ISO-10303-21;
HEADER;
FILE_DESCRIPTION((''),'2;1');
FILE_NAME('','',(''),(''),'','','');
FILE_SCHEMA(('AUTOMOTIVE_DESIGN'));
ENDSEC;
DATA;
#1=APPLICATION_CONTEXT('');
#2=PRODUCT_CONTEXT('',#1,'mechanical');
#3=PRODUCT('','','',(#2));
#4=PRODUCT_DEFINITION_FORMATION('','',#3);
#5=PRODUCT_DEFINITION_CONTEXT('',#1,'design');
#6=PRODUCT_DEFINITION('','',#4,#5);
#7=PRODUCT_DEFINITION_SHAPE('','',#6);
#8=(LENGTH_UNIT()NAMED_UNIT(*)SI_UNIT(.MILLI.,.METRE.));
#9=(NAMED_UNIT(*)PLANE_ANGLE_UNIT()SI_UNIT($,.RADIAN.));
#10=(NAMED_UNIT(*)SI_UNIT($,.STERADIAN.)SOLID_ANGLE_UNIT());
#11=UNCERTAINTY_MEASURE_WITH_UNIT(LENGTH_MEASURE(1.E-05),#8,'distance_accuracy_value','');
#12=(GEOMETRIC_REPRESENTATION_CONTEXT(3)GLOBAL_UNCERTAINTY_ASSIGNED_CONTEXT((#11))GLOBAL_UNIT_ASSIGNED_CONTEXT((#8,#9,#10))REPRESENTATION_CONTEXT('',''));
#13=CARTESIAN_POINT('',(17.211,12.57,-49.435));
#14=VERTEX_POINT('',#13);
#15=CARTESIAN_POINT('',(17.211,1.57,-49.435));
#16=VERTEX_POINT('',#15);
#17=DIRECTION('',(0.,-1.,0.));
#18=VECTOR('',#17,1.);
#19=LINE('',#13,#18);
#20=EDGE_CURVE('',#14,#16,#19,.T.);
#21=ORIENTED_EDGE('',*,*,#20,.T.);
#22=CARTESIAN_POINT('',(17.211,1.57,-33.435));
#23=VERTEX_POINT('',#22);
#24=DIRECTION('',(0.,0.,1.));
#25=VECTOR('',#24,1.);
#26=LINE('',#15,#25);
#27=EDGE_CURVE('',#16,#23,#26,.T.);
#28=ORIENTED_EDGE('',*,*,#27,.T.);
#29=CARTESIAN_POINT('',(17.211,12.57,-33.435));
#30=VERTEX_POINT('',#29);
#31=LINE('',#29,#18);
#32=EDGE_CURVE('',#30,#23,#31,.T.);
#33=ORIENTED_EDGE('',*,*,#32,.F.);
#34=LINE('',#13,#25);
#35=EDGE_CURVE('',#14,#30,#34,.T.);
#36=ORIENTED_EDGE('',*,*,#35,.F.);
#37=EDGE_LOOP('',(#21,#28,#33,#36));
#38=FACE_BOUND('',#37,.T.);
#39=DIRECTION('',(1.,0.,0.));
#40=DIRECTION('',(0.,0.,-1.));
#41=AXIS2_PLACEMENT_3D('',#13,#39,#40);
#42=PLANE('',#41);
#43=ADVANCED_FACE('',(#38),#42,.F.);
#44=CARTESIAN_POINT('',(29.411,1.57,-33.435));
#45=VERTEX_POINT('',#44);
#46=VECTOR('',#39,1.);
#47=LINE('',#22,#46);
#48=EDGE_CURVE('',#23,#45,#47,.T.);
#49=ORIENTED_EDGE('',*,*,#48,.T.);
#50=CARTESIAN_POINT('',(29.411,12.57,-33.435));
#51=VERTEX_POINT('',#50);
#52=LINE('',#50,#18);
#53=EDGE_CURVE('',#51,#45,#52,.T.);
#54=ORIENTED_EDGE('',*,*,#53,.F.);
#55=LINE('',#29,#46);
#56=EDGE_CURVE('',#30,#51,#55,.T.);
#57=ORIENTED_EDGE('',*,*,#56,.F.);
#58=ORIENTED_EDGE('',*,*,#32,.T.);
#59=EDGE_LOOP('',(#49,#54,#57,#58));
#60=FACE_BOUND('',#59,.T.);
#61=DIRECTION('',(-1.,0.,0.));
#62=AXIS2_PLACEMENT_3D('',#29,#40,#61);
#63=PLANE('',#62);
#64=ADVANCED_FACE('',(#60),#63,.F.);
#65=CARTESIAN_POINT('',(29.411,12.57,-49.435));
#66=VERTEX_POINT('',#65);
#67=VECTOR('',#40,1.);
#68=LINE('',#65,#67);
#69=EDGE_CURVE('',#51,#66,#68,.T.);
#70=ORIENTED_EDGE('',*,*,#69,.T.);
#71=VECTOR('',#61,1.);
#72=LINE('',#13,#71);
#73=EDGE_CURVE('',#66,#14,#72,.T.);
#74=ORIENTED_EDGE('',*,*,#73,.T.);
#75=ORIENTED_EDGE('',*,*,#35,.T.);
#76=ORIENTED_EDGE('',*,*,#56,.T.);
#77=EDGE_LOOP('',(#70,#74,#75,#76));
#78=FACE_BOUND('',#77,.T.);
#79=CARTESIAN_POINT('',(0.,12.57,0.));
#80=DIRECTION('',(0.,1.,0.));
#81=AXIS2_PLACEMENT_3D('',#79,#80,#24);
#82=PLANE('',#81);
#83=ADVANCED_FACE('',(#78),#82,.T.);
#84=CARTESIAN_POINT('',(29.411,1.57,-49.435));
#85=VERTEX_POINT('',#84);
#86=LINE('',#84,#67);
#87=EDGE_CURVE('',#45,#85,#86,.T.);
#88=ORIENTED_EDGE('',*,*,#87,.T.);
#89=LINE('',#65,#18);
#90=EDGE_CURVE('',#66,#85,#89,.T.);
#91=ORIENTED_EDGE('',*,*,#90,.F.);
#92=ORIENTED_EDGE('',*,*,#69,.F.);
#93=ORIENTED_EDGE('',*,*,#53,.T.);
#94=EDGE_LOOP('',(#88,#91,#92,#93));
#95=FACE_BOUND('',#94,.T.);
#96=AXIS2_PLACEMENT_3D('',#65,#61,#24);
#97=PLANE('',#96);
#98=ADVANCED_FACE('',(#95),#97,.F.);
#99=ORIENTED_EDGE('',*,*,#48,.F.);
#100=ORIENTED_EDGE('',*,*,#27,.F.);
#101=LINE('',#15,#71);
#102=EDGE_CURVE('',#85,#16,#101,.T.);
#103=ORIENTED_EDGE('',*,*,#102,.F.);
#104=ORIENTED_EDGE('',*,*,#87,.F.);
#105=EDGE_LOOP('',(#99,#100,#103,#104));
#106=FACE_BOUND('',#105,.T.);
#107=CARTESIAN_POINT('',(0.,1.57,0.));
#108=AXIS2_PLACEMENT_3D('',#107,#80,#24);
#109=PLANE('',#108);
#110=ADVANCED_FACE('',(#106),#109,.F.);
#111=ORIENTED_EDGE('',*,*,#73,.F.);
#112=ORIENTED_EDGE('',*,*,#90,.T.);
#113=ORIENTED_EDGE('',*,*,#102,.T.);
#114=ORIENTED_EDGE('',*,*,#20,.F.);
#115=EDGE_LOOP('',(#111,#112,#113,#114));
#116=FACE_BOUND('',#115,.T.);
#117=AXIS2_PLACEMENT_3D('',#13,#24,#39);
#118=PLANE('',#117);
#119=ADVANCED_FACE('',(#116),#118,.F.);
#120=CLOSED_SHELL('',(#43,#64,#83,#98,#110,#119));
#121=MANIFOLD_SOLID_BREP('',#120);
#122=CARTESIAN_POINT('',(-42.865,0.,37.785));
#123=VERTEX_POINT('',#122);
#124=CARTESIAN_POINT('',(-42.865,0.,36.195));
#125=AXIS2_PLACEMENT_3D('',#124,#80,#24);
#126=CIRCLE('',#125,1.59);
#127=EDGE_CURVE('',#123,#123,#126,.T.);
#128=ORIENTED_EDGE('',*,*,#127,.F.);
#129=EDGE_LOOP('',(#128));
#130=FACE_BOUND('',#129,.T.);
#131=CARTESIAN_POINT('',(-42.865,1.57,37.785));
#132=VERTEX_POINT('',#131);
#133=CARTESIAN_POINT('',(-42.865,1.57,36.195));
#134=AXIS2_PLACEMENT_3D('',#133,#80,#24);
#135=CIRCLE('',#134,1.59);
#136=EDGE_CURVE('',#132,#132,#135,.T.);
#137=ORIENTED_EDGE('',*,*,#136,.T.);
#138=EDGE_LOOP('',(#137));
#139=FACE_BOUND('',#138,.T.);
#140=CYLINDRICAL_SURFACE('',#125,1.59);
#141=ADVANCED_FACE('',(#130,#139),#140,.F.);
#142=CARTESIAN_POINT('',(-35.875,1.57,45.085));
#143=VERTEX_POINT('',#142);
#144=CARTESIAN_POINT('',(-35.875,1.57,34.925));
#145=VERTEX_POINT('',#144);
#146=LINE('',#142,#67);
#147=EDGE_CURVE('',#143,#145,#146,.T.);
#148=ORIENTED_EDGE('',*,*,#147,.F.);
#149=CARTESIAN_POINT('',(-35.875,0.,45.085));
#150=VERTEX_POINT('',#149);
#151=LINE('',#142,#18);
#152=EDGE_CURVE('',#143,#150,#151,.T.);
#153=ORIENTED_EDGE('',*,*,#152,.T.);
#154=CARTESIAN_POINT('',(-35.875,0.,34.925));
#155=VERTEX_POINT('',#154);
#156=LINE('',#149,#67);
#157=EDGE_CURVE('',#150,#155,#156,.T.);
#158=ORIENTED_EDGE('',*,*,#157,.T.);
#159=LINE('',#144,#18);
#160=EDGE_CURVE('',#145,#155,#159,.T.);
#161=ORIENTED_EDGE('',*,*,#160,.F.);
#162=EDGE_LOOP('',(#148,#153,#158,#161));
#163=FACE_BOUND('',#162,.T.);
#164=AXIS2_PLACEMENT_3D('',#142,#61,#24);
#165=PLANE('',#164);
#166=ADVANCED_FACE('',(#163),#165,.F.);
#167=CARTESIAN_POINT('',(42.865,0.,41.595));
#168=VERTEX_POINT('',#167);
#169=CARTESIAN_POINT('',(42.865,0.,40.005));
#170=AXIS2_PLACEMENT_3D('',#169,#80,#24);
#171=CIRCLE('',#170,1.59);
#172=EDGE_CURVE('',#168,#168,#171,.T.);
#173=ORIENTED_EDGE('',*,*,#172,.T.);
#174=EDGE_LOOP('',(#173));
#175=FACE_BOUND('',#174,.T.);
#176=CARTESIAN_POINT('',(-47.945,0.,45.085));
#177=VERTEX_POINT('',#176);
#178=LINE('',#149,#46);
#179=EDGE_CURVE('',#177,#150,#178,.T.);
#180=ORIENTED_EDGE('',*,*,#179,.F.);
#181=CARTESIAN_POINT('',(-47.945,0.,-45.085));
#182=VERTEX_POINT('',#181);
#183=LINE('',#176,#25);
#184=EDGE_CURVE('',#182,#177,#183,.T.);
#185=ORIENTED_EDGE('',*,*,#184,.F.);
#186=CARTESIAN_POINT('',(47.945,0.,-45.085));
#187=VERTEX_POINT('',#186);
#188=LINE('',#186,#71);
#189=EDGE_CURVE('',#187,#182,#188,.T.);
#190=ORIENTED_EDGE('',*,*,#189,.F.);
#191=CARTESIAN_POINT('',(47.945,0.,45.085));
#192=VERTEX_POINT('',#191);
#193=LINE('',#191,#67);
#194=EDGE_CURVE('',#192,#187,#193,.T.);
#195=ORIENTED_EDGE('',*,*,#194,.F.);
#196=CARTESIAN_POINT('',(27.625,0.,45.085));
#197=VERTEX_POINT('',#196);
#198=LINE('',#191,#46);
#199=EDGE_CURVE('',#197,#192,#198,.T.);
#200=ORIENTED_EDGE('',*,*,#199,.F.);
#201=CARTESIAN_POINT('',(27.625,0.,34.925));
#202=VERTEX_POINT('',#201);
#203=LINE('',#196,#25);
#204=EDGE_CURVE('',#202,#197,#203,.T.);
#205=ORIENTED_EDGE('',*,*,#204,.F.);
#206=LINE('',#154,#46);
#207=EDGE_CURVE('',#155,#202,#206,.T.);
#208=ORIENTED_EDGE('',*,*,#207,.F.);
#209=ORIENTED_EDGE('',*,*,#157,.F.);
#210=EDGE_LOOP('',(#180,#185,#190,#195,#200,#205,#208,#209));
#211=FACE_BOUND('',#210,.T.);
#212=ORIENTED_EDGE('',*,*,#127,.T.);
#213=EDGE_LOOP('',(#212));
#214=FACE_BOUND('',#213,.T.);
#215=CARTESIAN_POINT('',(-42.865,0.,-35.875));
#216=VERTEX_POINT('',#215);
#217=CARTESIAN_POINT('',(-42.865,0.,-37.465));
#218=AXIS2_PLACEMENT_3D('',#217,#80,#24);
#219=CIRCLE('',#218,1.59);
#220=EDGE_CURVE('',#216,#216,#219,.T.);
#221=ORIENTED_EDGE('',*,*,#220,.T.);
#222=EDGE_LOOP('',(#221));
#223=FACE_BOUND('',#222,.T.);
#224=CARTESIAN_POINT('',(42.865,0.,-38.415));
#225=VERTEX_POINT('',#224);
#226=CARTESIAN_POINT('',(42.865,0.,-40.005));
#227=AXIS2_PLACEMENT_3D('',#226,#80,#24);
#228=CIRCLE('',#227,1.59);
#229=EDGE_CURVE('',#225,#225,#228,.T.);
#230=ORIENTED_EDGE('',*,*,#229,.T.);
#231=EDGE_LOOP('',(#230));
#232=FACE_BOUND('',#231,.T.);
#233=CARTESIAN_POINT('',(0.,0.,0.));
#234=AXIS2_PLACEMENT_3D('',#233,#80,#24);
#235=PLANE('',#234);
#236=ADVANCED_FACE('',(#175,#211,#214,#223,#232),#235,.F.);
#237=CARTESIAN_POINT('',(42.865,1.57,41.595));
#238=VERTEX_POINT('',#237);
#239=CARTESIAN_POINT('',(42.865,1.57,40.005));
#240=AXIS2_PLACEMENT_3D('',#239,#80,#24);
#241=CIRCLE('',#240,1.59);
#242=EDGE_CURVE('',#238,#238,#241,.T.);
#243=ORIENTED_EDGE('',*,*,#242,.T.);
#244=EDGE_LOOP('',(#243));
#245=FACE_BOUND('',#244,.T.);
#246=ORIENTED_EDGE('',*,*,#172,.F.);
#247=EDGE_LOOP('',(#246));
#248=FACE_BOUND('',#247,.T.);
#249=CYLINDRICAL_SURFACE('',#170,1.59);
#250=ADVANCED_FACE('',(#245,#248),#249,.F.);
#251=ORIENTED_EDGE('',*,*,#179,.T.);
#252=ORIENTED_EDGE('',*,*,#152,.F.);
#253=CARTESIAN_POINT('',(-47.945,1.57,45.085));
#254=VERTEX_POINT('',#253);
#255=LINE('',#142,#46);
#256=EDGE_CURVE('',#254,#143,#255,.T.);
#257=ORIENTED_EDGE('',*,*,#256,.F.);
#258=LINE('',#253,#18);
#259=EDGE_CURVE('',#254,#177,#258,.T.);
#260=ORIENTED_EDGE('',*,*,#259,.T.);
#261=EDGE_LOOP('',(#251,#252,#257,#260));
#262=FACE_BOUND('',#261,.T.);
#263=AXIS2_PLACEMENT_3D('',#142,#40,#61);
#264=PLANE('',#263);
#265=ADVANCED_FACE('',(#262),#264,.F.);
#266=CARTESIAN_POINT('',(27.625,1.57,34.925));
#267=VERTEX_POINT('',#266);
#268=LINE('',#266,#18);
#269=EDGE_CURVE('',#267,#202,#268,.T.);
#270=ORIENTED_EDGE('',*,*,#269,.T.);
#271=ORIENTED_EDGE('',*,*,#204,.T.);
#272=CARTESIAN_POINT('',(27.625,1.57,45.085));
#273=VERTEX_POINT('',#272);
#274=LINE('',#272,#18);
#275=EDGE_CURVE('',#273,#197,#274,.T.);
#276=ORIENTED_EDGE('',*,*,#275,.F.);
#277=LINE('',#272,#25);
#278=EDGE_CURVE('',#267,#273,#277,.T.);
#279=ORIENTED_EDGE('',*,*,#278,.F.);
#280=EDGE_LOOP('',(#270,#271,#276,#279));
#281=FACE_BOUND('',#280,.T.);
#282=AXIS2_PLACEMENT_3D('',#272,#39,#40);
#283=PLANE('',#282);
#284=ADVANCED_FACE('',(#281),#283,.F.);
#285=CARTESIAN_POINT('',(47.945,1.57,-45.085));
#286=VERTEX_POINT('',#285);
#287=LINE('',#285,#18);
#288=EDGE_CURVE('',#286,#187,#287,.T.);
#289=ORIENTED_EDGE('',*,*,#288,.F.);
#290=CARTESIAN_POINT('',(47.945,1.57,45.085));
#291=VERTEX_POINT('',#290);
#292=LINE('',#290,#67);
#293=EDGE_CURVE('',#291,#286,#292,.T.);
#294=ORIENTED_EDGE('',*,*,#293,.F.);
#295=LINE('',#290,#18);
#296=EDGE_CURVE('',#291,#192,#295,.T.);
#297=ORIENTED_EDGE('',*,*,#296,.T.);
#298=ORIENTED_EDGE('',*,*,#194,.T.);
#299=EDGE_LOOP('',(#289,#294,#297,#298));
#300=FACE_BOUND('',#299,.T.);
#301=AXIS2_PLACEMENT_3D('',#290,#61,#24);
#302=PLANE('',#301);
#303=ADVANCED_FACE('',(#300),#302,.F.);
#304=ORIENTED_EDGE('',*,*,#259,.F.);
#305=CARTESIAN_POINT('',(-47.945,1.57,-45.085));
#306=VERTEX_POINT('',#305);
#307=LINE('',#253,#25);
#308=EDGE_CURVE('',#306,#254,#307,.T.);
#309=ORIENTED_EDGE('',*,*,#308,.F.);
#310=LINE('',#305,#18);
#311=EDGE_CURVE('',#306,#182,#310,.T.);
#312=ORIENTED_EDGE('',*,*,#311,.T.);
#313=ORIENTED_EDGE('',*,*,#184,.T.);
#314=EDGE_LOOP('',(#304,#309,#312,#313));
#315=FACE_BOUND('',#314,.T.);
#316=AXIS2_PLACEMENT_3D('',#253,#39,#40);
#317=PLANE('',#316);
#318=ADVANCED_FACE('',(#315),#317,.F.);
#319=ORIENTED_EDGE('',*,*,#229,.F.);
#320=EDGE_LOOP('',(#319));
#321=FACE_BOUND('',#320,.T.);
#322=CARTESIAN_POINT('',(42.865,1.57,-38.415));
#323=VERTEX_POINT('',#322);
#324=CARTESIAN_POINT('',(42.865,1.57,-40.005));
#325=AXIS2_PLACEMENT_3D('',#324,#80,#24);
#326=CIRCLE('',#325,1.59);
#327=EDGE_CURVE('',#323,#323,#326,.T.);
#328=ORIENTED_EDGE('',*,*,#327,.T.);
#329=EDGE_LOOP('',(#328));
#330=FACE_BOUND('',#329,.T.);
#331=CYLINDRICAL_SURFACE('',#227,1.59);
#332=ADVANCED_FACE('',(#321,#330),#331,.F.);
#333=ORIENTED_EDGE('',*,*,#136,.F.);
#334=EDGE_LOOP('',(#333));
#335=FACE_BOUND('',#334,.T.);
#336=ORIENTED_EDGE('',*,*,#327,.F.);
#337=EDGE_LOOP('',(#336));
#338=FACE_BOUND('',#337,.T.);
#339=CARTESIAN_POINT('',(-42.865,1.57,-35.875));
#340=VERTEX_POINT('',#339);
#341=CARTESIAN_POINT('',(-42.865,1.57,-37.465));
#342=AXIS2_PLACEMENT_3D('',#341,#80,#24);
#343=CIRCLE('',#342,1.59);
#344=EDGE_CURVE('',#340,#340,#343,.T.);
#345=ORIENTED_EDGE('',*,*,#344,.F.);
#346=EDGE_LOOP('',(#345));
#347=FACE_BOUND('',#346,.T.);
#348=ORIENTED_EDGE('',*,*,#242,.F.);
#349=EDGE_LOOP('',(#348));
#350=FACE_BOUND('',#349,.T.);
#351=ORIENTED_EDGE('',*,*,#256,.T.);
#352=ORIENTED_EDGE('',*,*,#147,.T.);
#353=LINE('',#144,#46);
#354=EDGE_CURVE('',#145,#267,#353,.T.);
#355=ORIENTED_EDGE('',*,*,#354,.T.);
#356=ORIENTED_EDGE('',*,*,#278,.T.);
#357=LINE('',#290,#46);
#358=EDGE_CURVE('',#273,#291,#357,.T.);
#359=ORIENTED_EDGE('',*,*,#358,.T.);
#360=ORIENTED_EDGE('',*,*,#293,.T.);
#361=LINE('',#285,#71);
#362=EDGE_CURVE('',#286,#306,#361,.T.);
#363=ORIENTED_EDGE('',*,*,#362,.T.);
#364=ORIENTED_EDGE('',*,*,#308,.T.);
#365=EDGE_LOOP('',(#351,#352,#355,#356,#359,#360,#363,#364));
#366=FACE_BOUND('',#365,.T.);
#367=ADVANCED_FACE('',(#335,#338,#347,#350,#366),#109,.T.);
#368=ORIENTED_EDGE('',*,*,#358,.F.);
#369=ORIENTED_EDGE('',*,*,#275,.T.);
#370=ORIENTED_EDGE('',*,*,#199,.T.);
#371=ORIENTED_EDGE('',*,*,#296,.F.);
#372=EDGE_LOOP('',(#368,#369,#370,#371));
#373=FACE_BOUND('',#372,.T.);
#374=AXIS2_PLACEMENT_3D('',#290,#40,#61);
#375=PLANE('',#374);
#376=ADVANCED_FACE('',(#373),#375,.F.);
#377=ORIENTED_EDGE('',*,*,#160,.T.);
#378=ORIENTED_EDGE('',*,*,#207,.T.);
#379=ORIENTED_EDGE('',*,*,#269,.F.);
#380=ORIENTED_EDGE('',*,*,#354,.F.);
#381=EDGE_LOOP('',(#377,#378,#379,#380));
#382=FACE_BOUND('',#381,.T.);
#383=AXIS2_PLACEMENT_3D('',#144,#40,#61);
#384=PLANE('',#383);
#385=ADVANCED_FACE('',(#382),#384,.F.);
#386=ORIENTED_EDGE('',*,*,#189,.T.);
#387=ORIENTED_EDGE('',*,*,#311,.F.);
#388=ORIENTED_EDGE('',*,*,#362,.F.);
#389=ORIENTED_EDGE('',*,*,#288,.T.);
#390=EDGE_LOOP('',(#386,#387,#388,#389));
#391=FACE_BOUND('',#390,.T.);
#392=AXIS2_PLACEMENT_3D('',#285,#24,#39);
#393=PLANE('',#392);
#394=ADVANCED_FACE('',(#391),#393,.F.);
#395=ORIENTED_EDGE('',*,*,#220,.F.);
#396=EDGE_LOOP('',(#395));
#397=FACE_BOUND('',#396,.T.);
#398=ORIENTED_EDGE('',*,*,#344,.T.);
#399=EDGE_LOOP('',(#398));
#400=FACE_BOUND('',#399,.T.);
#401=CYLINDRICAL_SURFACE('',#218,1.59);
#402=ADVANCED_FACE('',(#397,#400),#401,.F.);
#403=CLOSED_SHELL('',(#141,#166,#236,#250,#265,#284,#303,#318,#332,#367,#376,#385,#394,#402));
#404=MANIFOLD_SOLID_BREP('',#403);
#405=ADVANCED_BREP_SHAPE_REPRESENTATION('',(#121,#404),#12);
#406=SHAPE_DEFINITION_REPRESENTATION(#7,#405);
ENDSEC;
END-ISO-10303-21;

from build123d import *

# Parameters (mm, degrees)
BOSS_EXTRUDE1_DEPTH = 1.57
SKETCH2_R           = 1.59
CUT_EXTRUDE1_DEPTH  = 66.831946272
SKETCH3_W           = 12.2
SKETCH3_H           = 16
BOSS_EXTRUDE2_DEPTH = 11


with BuildPart() as part:
    # Sketch1 → Boss-Extrude1 (new body)
    with BuildSketch(Plane(origin=(0, 0, 0), x_dir=(1, 0, 0), z_dir=(0, 1, 0))):
        Polygon((-35.875, -45.085), (-47.945, -45.085), (-47.945, 45.085), (47.945, 45.085), (47.945, -45.085), (27.625, -45.085), (27.625, -34.925), (-35.875, -34.925), align=None)
    extrude(amount=BOSS_EXTRUDE1_DEPTH)

    # Sketch2 → Cut-Extrude1 (cut, through all)
    with BuildSketch(Plane(origin=(0, 1.57, 0), x_dir=(1, 0, 0), z_dir=(0, 1, 0))):
        with Locations(Location((42.865, -40.005, 0), (0, 0, 270))):
            Circle(SKETCH2_R)
        with Locations(Location((-42.865, -36.195, 0), (0, 0, 270))):
            Circle(SKETCH2_R)
        with Locations(Location((-42.865, 37.465, 0), (0, 0, 270))):
            Circle(SKETCH2_R)
        with Locations(Location((42.865, 40.005, 0), (0, 0, 270))):
            Circle(SKETCH2_R)
    extrude(amount=-CUT_EXTRUDE1_DEPTH, mode=Mode.SUBTRACT)


with BuildPart() as body_2:
    # Sketch3 → Boss-Extrude2 (new body)
    with BuildSketch(Plane(origin=(0, 1.57, 0), x_dir=(1, 0, 0), z_dir=(0, 1, 0))):
        with Locations((23.311, 41.435)):
            Rectangle(SKETCH3_W, SKETCH3_H)
    extrude(amount=BOSS_EXTRUDE2_DEPTH)


solid = Compound([part.part, body_2.part])
